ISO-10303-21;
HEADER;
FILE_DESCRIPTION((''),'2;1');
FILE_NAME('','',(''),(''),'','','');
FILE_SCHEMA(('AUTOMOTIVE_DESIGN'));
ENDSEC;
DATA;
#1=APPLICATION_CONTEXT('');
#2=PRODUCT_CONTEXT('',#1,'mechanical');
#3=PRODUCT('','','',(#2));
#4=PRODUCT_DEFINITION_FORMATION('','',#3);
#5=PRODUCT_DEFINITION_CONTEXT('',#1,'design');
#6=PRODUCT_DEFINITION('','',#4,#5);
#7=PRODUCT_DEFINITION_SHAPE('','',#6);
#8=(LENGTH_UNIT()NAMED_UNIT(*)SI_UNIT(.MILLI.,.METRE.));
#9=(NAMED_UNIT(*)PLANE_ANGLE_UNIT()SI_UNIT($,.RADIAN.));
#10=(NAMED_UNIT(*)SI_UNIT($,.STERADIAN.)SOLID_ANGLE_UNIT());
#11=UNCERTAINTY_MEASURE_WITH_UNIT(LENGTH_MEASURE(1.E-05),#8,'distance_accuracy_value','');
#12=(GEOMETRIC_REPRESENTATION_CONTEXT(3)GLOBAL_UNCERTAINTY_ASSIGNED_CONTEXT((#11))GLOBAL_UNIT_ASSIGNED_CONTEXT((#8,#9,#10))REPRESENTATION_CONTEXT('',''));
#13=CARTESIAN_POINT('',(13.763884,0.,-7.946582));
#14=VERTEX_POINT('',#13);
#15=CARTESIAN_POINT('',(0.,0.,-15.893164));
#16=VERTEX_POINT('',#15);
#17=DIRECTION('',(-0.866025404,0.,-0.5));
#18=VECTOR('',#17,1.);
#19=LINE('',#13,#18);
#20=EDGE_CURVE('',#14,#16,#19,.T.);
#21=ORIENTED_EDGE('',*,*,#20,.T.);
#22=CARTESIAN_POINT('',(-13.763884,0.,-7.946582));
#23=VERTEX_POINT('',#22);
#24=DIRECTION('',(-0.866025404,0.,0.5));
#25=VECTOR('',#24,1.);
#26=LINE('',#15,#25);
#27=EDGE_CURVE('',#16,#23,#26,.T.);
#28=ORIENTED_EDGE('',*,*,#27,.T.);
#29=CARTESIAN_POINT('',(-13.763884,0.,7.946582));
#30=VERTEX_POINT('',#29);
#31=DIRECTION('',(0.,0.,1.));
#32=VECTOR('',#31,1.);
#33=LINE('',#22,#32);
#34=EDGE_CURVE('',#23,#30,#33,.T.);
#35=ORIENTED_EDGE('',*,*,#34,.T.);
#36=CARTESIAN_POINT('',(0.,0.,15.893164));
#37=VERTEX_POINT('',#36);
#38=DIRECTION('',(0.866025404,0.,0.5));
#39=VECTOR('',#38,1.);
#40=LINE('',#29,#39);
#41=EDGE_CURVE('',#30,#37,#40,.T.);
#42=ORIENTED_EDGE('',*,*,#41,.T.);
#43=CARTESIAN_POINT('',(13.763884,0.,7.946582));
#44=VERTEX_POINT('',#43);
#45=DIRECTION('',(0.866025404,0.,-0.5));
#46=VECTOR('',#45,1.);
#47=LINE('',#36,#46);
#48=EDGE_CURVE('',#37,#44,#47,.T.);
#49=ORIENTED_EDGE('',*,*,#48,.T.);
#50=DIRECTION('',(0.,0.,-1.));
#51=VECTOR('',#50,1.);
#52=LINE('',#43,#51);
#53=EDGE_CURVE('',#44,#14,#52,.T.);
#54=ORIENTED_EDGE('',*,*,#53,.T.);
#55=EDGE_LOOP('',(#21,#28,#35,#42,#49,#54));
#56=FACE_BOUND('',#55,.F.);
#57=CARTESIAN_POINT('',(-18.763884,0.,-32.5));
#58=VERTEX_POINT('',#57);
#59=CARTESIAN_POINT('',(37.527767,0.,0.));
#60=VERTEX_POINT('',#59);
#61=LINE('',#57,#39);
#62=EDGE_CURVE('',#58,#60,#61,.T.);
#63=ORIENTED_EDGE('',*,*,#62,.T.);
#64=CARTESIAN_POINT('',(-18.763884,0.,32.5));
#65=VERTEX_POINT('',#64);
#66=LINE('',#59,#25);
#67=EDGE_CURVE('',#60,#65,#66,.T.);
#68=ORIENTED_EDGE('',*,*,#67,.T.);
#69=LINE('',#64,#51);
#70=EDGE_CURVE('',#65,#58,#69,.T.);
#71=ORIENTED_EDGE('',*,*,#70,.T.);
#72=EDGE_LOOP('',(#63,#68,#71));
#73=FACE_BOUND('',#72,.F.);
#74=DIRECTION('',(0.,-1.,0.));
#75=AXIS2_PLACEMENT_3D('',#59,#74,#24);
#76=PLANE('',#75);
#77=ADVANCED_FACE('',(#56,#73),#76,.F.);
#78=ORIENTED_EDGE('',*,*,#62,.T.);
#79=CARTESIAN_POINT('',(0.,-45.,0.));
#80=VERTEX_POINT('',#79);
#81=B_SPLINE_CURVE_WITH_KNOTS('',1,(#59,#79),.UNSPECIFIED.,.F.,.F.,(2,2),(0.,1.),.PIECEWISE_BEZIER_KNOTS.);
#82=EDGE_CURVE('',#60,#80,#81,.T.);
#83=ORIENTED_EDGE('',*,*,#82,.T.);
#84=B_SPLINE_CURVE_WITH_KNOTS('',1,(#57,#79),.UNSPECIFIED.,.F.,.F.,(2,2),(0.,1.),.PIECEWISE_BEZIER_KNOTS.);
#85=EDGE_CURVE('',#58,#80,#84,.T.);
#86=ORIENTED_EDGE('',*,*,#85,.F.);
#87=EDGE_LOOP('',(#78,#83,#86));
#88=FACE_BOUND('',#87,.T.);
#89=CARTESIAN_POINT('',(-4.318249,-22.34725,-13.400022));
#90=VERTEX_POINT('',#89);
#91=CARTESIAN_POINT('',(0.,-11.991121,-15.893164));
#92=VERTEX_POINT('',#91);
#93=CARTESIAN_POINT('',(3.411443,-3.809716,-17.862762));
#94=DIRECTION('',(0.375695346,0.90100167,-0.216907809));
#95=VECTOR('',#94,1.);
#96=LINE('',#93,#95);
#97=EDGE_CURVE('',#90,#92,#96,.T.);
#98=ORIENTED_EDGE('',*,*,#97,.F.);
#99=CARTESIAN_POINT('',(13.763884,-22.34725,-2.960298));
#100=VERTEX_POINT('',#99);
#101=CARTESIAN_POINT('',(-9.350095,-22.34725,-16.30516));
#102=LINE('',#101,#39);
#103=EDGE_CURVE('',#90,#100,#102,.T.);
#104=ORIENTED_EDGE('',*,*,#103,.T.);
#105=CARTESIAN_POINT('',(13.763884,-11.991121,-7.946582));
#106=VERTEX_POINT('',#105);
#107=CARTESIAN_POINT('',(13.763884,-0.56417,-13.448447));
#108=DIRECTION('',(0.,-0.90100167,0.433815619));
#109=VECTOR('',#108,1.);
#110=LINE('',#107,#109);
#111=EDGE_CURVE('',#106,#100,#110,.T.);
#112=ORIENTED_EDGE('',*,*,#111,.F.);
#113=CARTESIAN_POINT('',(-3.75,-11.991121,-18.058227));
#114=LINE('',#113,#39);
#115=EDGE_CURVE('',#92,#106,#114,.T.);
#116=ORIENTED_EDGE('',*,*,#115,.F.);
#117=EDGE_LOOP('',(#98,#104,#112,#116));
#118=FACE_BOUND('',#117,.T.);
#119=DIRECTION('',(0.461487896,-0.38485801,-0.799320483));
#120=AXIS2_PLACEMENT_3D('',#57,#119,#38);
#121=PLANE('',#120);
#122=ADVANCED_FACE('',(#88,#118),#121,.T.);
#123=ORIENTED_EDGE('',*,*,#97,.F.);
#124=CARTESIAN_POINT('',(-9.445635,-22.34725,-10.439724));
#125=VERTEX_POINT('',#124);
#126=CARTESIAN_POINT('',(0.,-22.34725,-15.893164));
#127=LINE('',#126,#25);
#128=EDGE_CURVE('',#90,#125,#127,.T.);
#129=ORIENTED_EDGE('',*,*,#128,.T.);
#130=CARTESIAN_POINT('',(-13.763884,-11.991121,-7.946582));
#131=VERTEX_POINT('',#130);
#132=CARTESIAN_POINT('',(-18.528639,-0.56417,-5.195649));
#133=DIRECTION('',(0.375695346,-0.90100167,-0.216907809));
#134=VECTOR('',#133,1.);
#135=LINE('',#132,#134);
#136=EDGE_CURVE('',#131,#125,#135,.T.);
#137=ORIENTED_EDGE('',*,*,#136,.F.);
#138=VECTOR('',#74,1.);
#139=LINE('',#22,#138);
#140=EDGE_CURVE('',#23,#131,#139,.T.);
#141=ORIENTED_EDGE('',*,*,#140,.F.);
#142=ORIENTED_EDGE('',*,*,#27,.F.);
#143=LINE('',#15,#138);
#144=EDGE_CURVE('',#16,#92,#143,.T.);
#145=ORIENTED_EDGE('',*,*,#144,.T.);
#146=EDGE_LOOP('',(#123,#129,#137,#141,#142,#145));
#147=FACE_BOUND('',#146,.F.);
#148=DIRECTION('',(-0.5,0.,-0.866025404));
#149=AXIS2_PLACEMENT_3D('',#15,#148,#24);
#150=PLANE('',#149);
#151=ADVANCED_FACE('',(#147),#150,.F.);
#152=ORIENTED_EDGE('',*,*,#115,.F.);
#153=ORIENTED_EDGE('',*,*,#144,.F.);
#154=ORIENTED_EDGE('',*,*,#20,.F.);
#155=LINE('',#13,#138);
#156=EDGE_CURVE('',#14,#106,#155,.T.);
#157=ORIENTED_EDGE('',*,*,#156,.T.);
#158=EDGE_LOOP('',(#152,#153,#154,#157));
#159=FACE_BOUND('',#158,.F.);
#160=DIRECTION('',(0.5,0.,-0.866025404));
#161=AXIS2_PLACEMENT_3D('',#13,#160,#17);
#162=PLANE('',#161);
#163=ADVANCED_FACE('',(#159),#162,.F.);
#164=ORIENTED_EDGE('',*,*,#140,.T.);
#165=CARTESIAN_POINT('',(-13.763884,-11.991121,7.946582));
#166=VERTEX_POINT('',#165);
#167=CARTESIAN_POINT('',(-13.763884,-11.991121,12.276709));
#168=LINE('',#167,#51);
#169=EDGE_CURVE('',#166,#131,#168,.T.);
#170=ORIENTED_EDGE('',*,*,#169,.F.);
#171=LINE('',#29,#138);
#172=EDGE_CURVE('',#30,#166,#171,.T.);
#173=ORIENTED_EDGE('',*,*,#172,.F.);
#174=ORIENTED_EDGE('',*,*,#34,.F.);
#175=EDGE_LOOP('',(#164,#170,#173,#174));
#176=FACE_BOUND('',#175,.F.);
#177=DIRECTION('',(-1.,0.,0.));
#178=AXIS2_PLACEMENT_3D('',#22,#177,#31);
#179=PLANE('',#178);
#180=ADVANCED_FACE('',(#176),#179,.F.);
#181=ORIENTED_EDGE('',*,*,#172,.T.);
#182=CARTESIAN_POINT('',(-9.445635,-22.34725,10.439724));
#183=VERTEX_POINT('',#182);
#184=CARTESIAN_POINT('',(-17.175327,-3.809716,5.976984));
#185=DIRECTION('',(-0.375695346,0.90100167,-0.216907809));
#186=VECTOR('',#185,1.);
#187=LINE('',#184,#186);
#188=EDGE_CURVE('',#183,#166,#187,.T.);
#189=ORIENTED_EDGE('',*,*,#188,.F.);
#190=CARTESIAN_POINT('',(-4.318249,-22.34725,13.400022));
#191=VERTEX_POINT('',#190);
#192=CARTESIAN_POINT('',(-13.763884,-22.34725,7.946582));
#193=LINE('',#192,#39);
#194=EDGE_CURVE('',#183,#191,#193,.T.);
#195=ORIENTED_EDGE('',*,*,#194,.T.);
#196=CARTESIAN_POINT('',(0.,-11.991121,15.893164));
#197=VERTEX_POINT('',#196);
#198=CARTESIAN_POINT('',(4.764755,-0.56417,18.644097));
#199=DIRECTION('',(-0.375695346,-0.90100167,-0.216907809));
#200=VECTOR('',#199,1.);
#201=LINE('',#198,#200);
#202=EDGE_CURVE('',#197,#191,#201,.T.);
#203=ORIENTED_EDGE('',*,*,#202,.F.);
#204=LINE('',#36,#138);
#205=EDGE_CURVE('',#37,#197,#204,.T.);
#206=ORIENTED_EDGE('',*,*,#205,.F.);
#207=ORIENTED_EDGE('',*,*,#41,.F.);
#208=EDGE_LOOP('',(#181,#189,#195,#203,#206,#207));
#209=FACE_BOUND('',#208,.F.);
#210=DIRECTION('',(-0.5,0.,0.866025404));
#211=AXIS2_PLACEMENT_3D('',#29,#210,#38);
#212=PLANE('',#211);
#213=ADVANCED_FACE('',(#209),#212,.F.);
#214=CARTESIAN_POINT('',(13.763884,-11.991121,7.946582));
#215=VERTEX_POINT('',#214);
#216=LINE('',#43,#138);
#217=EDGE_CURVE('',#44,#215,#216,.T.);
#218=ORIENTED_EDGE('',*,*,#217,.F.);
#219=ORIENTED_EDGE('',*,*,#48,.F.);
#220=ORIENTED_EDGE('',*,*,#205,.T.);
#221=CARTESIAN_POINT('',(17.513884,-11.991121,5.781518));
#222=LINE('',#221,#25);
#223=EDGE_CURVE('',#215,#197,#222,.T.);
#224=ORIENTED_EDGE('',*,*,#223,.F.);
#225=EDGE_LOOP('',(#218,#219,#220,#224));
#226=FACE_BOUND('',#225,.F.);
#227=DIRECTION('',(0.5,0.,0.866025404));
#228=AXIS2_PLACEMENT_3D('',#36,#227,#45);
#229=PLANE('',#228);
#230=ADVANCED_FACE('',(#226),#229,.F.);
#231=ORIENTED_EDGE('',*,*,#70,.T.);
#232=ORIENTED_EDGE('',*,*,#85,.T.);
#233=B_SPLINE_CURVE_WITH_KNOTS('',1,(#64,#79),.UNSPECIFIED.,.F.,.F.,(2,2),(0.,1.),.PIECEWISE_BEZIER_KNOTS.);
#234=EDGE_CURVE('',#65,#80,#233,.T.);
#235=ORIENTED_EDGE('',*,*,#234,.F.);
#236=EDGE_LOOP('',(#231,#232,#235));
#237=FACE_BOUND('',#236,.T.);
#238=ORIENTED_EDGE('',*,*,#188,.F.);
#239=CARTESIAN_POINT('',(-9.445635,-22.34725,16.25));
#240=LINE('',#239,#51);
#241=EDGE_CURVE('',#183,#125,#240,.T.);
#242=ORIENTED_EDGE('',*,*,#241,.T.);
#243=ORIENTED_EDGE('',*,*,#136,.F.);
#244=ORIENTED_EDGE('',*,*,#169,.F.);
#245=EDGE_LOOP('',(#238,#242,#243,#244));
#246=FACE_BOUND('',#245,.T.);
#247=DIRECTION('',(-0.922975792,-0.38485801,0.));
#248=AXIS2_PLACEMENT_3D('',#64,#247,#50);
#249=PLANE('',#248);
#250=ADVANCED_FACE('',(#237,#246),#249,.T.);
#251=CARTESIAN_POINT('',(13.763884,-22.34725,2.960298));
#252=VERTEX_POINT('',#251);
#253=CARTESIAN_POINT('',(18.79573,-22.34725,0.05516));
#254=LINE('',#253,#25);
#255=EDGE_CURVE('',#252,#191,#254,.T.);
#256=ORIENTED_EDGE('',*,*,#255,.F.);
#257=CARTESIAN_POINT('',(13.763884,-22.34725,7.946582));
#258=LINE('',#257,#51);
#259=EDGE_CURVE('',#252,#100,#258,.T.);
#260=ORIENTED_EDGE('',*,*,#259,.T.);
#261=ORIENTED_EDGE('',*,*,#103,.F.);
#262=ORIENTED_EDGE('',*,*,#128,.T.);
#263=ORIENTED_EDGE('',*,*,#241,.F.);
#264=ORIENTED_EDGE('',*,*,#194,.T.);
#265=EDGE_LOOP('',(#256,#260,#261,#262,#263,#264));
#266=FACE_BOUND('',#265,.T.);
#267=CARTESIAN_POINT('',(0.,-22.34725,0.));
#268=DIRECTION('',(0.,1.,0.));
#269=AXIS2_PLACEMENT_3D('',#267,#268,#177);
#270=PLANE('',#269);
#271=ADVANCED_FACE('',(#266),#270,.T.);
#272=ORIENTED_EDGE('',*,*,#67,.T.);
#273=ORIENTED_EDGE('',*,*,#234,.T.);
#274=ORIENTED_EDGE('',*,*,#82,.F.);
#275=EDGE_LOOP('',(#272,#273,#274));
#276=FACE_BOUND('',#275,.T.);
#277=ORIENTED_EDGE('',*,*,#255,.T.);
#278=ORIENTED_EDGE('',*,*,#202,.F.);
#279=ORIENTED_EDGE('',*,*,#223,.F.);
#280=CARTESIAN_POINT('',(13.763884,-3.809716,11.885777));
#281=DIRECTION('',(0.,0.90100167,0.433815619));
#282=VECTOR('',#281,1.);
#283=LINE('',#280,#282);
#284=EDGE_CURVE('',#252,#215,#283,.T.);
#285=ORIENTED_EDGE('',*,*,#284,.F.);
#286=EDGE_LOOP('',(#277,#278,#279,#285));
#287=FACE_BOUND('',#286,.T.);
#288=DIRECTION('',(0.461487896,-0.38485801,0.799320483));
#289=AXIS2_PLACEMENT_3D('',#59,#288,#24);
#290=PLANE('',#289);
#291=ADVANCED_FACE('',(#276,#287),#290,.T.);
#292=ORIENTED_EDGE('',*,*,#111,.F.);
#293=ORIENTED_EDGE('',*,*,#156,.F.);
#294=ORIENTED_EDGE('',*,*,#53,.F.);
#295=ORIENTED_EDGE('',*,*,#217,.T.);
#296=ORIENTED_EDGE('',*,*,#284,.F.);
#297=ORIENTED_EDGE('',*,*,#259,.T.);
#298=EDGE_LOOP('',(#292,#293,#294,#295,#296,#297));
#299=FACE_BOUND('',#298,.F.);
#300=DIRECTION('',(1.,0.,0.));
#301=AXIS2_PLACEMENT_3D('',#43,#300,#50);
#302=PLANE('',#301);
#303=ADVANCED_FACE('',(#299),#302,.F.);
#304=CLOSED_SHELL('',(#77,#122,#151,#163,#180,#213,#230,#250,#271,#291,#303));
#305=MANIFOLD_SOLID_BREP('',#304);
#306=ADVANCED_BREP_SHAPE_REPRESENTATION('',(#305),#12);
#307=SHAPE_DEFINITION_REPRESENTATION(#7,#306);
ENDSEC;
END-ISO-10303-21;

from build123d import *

# Parameters (mm, degrees)
F6_DEPTH = 22.34725


with BuildPart() as f3:
    # F0 (on Front) → F3 section 0
    with BuildSketch(Plane.XZ, mode=Mode.PRIVATE) as f3_s0:
        Polygon((37.5277674973, 0), (-18.7638837487, 32.5), (-18.7638837487, -32.5), align=None)
    loft([f3_s0.sketch, Vertex(0, -45, 0)])

    # F5 (on face) → F6 (cut)
    with BuildSketch(Plane(origin=(0, 0, 0), x_dir=(-1, 0, 0), z_dir=(0, 1, 0))):
        Polygon((-13.7638837487, -7.9465819874), (0, -15.8931639748), (13.7638837487, -7.9465819874), (13.7638837487, 7.9465819874), (0, 15.8931639748), (-13.7638837487, 7.9465819874), align=None)
    extrude(amount=-F6_DEPTH, mode=Mode.SUBTRACT)


solid = f3.part
